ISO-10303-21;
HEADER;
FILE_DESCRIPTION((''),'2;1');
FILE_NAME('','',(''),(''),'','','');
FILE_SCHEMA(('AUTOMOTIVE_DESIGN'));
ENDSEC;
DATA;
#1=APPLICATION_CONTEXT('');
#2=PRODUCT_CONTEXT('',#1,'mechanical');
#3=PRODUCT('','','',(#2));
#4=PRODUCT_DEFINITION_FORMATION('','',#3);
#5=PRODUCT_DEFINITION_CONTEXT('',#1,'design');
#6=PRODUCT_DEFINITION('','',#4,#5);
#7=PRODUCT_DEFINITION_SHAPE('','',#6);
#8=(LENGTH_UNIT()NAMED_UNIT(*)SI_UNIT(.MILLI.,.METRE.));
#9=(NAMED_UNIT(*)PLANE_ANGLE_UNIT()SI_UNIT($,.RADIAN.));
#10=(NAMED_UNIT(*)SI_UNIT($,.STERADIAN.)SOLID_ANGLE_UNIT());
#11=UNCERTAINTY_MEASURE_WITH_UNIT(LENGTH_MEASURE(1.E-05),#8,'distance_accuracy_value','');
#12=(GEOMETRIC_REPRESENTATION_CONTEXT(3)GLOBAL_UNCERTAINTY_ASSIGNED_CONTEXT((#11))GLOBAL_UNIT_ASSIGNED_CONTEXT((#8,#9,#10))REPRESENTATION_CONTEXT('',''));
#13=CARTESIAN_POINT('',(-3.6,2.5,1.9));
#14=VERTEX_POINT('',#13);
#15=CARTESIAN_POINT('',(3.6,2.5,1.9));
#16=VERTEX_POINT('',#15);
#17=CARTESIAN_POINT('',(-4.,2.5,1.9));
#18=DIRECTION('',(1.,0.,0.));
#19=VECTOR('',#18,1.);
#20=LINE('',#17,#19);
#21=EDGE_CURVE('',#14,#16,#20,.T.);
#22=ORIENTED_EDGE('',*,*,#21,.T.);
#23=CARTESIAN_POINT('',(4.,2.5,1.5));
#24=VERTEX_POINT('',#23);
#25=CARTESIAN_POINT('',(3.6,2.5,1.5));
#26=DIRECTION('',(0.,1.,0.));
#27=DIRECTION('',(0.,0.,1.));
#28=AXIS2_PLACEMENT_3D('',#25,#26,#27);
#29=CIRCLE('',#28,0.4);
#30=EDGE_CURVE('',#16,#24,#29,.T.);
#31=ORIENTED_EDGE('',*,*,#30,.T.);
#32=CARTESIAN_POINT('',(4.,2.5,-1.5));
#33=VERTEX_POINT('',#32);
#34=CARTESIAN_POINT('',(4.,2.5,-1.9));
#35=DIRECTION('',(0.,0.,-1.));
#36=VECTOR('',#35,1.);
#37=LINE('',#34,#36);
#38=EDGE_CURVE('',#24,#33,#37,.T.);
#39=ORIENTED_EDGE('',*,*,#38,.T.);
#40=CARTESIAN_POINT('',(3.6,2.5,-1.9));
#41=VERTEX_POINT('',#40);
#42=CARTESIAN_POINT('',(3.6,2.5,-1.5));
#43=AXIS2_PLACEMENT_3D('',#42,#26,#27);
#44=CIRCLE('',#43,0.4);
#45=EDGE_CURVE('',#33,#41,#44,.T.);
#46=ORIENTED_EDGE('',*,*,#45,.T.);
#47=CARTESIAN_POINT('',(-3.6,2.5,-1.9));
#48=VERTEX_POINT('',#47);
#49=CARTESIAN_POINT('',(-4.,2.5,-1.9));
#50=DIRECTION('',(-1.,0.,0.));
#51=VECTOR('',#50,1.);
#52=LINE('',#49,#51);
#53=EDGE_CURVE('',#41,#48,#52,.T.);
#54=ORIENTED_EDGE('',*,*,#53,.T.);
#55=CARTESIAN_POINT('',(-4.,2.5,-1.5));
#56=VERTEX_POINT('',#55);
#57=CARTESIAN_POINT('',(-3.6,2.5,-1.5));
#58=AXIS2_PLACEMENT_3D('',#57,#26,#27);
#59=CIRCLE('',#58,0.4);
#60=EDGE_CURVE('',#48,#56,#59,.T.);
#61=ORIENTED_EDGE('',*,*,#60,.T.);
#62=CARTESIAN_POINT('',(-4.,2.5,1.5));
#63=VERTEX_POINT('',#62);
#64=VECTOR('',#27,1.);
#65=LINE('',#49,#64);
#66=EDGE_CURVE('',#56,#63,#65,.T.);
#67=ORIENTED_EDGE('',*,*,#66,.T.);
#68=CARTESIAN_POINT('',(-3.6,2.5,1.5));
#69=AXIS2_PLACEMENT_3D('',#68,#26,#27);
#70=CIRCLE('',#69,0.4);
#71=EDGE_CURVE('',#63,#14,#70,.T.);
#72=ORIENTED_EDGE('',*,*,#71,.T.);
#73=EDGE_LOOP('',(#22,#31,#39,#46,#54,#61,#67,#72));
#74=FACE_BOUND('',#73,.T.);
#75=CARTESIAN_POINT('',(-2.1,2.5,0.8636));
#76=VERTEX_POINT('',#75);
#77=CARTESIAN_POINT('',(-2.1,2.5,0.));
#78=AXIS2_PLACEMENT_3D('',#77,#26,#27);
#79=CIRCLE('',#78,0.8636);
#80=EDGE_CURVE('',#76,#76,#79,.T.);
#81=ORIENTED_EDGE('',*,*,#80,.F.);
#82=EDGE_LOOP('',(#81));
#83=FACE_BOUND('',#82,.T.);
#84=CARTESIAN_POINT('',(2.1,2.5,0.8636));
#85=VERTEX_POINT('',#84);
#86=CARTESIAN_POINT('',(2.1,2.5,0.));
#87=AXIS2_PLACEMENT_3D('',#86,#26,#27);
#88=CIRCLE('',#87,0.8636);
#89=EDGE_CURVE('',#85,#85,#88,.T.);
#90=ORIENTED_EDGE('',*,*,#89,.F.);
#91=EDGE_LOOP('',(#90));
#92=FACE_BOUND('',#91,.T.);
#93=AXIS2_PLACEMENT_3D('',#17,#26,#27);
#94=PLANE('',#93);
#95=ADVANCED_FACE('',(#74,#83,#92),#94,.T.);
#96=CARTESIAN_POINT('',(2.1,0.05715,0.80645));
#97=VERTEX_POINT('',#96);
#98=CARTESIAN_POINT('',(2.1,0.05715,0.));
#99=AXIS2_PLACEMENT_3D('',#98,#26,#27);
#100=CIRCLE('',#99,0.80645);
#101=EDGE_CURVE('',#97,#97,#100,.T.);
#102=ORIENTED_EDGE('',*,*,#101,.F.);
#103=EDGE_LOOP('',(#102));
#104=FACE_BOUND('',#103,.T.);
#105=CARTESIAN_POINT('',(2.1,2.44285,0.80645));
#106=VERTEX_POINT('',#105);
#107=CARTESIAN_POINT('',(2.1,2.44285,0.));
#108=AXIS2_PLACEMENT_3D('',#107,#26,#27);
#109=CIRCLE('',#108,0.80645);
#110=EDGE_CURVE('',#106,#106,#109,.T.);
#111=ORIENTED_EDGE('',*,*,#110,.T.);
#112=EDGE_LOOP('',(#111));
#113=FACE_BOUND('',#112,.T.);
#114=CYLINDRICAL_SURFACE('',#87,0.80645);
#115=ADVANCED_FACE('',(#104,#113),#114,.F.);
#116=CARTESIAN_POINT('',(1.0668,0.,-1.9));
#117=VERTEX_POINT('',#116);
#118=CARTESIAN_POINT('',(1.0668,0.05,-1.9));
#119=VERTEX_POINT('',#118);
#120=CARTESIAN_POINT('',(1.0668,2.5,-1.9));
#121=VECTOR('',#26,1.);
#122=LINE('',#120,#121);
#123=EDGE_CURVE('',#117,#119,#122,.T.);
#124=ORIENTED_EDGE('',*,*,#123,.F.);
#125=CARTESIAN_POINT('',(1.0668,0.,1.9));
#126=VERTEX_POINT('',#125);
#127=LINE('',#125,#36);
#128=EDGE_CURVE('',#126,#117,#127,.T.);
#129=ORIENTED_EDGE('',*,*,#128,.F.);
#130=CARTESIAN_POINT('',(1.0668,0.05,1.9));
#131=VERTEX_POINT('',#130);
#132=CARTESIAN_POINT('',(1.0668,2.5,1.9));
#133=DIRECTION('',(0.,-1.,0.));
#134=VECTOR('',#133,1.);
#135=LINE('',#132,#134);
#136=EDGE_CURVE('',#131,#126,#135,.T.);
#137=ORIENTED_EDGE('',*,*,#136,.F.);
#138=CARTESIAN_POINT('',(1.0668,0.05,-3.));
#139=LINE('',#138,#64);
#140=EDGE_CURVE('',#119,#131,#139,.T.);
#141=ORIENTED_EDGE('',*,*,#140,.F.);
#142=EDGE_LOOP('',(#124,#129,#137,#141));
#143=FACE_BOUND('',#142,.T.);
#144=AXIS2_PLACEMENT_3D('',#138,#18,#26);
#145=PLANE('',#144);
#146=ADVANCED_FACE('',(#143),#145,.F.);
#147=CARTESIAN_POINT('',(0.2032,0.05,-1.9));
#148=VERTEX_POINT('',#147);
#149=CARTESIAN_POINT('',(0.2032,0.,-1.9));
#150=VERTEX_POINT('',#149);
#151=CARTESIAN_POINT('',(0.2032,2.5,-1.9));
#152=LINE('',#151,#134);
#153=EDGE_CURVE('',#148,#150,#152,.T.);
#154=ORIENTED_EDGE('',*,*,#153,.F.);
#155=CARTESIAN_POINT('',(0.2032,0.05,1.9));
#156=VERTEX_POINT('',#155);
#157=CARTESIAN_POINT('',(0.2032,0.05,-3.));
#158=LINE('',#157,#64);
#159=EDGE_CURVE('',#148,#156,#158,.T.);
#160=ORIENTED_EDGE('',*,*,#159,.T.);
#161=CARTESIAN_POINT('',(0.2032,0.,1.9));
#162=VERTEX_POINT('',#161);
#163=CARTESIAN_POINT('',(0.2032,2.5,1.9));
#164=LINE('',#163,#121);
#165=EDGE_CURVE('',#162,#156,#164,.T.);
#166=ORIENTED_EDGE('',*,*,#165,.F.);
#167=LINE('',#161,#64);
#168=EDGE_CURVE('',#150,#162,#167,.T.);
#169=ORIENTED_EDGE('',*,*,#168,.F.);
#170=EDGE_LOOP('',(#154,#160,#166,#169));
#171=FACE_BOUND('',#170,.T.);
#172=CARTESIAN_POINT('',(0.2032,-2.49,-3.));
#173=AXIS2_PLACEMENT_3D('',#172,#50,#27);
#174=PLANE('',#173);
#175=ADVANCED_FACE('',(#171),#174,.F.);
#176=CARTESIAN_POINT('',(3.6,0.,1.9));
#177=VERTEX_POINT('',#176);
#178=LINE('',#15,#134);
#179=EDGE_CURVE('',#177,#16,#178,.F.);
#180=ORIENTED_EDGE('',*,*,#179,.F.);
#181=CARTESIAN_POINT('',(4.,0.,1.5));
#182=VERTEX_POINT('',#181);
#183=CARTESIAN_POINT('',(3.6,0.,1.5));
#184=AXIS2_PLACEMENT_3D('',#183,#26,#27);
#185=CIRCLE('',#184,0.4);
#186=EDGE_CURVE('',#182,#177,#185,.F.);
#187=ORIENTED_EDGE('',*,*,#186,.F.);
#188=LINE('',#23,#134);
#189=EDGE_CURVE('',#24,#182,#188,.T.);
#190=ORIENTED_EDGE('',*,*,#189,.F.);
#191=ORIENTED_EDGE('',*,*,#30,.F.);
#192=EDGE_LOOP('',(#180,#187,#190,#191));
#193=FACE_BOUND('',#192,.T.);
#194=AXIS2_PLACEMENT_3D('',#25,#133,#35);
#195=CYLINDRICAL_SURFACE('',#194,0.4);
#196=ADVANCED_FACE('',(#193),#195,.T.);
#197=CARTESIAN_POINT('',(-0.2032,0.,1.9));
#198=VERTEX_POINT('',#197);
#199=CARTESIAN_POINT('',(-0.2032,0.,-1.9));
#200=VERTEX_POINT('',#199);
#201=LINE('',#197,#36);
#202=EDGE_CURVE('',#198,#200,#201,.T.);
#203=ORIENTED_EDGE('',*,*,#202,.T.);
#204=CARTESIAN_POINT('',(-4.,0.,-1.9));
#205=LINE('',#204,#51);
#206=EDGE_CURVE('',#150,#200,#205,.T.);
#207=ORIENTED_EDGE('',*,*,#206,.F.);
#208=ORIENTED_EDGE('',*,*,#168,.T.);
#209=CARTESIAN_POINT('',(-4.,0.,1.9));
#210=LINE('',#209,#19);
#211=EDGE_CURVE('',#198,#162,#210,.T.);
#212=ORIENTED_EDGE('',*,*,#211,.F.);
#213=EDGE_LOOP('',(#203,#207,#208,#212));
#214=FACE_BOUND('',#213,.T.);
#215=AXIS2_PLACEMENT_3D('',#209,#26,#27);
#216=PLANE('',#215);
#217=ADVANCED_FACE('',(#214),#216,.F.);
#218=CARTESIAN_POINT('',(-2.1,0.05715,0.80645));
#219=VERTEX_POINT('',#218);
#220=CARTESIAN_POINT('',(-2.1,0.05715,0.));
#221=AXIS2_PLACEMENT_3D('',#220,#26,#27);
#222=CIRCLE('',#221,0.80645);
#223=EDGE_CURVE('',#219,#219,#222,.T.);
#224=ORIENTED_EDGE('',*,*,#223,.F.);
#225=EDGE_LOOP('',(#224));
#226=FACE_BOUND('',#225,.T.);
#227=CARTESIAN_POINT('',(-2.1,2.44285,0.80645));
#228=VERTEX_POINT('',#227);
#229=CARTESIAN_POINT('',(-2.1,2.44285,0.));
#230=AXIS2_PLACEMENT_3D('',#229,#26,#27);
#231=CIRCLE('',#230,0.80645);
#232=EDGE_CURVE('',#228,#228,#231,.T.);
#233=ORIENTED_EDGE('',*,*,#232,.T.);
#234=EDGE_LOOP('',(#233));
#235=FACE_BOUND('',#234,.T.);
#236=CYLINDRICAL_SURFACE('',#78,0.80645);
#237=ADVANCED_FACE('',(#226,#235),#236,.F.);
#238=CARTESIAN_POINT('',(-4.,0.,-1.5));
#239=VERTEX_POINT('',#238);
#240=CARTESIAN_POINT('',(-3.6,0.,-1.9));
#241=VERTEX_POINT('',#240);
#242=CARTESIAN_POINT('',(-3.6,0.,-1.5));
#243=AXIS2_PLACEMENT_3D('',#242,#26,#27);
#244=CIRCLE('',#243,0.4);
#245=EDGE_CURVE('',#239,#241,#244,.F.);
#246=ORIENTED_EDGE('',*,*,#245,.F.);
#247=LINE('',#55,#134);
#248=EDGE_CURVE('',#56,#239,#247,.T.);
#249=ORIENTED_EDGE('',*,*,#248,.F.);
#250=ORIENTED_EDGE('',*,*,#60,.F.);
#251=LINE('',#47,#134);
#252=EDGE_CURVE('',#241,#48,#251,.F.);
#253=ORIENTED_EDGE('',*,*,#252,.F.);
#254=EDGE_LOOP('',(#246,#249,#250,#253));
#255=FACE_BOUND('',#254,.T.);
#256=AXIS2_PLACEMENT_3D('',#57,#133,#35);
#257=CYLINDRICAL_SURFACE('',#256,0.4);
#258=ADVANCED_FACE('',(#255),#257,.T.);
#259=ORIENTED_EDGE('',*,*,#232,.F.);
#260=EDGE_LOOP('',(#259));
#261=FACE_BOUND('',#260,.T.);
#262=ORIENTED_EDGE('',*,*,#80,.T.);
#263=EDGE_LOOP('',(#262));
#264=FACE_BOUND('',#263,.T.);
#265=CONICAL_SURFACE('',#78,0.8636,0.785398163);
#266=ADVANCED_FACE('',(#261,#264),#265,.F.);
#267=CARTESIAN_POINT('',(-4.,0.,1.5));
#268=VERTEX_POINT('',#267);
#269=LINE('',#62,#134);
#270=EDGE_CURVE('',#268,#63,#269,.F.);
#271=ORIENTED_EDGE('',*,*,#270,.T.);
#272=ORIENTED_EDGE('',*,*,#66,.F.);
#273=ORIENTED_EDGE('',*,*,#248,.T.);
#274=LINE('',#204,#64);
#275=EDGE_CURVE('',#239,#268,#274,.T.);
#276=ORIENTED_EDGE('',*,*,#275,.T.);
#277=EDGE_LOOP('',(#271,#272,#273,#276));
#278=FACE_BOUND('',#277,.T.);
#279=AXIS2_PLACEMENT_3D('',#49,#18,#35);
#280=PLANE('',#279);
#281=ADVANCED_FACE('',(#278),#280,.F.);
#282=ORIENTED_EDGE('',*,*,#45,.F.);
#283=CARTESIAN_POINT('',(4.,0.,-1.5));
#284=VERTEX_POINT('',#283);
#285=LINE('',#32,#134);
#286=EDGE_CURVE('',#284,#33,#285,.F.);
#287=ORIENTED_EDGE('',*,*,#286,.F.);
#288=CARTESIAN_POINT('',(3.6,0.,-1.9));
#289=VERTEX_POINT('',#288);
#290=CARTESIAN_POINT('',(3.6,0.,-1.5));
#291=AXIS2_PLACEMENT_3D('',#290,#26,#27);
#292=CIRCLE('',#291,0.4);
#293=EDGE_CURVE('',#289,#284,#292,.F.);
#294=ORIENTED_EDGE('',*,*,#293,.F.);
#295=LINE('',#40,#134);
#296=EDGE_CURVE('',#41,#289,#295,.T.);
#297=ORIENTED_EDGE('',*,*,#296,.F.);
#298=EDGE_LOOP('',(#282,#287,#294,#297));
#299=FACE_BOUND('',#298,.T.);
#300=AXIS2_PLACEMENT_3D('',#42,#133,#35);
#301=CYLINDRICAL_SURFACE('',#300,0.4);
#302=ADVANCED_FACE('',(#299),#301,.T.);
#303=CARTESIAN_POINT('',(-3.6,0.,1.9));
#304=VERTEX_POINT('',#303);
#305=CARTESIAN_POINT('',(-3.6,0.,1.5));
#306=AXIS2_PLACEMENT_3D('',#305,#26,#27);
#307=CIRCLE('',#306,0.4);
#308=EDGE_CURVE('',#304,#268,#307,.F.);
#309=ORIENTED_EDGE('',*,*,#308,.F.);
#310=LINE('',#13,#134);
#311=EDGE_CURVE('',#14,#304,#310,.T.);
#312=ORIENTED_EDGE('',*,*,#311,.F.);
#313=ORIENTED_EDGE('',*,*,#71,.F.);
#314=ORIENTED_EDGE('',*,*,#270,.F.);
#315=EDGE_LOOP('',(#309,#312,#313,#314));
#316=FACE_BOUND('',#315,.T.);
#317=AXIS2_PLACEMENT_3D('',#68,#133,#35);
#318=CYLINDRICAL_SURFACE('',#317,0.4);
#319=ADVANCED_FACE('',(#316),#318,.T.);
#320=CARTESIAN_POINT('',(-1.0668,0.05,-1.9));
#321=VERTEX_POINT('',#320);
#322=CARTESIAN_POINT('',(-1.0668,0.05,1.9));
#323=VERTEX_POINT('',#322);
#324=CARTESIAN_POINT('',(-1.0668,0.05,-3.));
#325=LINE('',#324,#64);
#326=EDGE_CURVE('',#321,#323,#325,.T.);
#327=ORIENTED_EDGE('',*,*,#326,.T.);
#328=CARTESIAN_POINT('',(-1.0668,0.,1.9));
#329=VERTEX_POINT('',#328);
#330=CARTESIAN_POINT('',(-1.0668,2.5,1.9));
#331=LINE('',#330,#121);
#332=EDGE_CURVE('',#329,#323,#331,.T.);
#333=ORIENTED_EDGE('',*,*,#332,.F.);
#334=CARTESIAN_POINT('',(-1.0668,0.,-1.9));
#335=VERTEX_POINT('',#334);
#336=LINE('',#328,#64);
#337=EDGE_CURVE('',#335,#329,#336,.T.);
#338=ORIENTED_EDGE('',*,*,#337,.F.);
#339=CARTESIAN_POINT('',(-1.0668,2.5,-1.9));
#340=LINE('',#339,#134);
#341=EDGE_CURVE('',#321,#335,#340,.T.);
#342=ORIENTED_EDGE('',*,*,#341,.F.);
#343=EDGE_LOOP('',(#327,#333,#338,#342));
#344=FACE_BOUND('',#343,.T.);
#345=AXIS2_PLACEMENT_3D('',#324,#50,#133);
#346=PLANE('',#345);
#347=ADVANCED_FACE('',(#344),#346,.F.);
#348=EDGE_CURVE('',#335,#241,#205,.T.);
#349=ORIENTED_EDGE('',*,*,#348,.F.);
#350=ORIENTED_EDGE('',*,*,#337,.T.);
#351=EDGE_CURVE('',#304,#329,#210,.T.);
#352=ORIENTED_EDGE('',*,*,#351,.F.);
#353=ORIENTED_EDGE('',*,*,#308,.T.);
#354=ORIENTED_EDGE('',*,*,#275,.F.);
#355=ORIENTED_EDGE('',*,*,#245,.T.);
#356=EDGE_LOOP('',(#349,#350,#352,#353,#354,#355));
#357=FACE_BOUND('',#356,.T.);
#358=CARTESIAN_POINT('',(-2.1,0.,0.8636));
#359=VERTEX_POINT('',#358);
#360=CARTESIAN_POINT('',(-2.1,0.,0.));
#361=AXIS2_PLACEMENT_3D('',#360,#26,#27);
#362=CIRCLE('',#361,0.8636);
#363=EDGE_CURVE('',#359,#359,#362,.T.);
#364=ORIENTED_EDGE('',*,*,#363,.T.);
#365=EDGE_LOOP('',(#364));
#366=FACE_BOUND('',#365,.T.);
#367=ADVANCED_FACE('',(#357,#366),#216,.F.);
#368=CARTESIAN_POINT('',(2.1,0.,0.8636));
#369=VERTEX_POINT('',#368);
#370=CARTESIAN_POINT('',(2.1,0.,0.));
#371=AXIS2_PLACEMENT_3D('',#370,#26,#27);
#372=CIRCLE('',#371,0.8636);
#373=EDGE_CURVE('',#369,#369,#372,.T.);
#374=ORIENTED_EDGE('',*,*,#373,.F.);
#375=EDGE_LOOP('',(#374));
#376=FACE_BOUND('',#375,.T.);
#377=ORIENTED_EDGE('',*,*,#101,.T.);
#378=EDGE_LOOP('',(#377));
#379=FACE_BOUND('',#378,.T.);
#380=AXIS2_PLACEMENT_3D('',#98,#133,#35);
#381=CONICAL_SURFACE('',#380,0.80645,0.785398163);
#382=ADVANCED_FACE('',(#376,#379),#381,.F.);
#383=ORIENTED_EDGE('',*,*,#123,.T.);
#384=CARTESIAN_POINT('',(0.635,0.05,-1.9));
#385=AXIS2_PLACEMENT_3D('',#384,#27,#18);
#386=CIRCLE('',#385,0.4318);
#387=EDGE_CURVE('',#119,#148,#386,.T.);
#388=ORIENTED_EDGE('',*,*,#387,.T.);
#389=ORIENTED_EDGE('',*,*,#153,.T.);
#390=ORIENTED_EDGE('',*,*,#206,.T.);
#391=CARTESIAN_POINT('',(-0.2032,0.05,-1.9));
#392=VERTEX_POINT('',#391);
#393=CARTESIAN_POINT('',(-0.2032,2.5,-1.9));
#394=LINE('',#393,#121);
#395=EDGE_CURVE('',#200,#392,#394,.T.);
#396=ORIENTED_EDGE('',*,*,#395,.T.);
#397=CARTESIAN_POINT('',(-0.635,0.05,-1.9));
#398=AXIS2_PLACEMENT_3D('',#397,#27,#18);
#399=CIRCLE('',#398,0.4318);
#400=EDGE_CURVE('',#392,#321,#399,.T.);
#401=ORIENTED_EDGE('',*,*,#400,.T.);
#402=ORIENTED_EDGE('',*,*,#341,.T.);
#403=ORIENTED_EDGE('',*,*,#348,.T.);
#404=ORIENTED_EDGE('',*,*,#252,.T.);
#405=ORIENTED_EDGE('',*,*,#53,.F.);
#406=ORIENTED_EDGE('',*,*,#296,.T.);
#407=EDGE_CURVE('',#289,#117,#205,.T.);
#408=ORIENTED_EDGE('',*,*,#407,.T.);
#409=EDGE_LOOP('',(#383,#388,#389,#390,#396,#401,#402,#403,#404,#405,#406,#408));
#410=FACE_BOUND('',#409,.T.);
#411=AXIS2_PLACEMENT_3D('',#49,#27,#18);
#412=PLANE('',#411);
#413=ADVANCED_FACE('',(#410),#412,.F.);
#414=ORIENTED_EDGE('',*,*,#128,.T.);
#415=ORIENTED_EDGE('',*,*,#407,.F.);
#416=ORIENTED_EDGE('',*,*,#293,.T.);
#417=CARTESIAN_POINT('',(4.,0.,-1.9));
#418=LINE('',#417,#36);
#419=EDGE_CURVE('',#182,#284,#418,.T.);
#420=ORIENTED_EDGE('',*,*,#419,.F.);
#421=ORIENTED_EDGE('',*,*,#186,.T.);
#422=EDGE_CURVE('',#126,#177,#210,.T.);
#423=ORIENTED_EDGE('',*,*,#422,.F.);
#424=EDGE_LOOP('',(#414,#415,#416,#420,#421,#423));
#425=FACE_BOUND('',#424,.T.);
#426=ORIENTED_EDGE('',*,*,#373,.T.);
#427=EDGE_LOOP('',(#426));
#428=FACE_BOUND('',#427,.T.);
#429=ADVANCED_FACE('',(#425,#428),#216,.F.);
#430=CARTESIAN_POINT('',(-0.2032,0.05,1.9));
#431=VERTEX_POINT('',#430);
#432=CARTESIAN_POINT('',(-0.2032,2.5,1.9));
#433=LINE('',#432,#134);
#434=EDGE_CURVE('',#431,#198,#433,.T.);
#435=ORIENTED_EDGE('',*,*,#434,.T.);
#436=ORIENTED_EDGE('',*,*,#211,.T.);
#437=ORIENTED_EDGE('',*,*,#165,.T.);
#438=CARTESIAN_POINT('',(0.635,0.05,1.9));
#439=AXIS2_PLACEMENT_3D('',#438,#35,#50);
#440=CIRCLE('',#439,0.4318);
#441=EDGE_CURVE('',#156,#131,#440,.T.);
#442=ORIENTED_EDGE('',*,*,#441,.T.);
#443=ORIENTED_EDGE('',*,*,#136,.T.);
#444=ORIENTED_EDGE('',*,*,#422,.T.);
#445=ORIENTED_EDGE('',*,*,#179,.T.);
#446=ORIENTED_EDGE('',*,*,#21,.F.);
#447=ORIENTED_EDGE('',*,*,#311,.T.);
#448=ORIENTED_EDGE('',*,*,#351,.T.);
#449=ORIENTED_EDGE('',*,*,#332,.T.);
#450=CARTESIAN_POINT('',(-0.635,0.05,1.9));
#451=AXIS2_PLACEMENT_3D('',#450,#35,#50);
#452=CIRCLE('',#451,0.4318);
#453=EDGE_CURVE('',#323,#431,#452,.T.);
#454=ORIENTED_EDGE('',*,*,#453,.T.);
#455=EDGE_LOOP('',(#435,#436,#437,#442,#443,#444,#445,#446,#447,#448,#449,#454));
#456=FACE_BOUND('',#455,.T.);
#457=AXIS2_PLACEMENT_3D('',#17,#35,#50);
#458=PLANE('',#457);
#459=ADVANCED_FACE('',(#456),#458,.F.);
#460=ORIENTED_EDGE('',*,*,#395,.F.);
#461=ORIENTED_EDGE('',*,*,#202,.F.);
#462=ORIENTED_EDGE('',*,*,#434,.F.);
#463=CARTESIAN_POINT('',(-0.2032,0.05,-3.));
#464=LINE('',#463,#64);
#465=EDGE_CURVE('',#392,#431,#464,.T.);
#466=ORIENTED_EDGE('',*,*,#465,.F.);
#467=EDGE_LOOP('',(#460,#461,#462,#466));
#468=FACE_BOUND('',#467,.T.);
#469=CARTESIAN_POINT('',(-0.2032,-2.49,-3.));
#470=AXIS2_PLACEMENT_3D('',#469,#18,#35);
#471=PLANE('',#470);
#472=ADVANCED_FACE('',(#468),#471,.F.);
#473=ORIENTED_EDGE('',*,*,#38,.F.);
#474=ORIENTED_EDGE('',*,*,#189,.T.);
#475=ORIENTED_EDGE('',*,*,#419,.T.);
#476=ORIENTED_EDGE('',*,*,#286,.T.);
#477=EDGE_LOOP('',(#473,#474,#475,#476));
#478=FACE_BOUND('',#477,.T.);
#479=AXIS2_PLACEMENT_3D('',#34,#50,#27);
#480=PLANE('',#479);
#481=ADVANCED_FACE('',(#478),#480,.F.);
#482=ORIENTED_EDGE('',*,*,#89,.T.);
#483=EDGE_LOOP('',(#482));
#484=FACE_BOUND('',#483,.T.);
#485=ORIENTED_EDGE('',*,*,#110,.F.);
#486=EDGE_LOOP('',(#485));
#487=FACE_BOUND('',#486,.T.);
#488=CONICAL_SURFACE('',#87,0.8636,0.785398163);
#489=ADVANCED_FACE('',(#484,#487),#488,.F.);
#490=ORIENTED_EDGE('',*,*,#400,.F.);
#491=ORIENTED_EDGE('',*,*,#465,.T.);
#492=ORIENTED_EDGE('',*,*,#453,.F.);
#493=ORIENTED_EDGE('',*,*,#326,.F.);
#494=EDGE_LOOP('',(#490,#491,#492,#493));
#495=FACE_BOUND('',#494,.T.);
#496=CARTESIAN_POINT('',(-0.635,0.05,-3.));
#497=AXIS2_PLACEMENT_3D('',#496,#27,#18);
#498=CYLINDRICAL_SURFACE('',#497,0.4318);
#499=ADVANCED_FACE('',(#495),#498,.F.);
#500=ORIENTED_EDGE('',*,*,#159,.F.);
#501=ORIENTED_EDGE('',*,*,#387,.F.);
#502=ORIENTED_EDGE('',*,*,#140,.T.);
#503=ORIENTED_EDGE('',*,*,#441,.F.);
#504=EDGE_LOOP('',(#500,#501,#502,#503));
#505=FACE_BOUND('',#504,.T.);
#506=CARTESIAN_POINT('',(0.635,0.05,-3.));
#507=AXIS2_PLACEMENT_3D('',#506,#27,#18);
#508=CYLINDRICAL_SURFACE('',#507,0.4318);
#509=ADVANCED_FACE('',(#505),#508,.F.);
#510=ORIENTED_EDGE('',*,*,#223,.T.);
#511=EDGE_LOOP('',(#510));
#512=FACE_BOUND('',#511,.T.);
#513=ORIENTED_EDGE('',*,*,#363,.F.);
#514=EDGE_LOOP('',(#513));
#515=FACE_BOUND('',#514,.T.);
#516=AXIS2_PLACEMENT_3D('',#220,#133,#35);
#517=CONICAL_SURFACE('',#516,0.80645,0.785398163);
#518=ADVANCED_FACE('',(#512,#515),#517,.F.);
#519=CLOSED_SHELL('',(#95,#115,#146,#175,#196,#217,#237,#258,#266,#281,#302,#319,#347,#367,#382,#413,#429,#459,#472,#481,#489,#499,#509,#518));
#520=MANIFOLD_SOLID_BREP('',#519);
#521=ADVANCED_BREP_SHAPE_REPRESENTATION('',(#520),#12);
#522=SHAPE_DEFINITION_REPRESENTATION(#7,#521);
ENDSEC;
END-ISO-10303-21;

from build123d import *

# Parameters (mm, degrees)
SKETCH1_W                             = 8
SKETCH1_H                             = 3.8
BE_01_BOSS_EXTRUDE_DEPTH              = 2.5
CE_01_CLAMP_GROOVES_DEPTH             = 3
F_52_0_0635_DIAMETER_HOLE1_AT_2_COUNT = 2
F_52_0_0635_DIAMETER_HOLE1_AT_2_PITCH = 4.2
FILLET1_R                             = 0.4


with BuildPart() as part:
    # Sketch1 → BE-01 Boss Extrude (new body)
    with BuildSketch(Plane(origin=(0, 0, 0), x_dir=(1, 0, 0), z_dir=(0, 1, 0))):
        Rectangle(SKETCH1_W, SKETCH1_H)
    extrude(amount=BE_01_BOSS_EXTRUDE_DEPTH)

    # Sketch2 → CE-01 Clamp Grooves (cut, symmetric)
    with BuildSketch(Plane.XY):
        with BuildLine():
            Line((-6.978653293, -2.49), (-6.978653293, -4.211330321))
            Line((-6.978653293, -4.211330321), (6.978653293, -4.211330321))
            Line((6.978653293, -4.211330321), (6.978653293, -2.49))
            Line((6.978653293, -2.49), (1.0668, -2.49))
            Line((1.0668, -2.49), (1.0668, 0.05))
            ThreePointArc((1.0668, 0.05), (0.635, 0.4818), (0.2032, 0.05))
            Line((0.2032, 0.05), (0.2032, -2.49))
            Line((0.2032, -2.49), (-0.2032, -2.49))
            Line((-0.2032, -2.49), (-0.2032, 0.05))
            ThreePointArc((-0.2032, 0.05), (-0.635, 0.4818), (-1.0668, 0.05))
            Line((-1.0668, 0.05), (-1.0668, -2.49))
            Line((-1.0668, -2.49), (-6.978653293, -2.49))
        make_face()
    extrude(amount=CE_01_CLAMP_GROOVES_DEPTH, both=True, mode=Mode.SUBTRACT)

    # Sketch4 → #52 (0.0635) Diameter Hole1 (revolve, cut)
    with BuildSketch(Plane(origin=(-2.1, 2.5, 0), x_dir=(0, 0, 1), z_dir=(1, 0, 0))):
        Polygon((0, 0), (0, 2.5), (0.8636, 2.5), (0.80645, 2.44285), (0.80645, 0.05715), (0.8636, 0), align=None)
    f_52_0_0635_diameter_hole1 = revolve(axis=Axis((-2.1, 8.85, 0), (0, -1, 0)), mode=Mode.SUBTRACT)

    # #52 (0.0635) Diameter Hole1 at 2: #52 (0.0635) Diameter Hole1 ×2
    with Locations(*[(i * F_52_0_0635_DIAMETER_HOLE1_AT_2_PITCH, 0, 0) for i in range(1, F_52_0_0635_DIAMETER_HOLE1_AT_2_COUNT)]):
        add(f_52_0_0635_diameter_hole1, mode=Mode.SUBTRACT)

    # Fillet1
    fillet1_edges = [part.edges().sort_by_distance(p)[0] for p in [
        (-4, 1.25, -1.9),
        (4, 1.25, -1.9),
        (4, 1.25, 1.9),
        (-4, 1.25, 1.9),
    ]]
    fillet(fillet1_edges, radius=FILLET1_R)


solid = part.part
